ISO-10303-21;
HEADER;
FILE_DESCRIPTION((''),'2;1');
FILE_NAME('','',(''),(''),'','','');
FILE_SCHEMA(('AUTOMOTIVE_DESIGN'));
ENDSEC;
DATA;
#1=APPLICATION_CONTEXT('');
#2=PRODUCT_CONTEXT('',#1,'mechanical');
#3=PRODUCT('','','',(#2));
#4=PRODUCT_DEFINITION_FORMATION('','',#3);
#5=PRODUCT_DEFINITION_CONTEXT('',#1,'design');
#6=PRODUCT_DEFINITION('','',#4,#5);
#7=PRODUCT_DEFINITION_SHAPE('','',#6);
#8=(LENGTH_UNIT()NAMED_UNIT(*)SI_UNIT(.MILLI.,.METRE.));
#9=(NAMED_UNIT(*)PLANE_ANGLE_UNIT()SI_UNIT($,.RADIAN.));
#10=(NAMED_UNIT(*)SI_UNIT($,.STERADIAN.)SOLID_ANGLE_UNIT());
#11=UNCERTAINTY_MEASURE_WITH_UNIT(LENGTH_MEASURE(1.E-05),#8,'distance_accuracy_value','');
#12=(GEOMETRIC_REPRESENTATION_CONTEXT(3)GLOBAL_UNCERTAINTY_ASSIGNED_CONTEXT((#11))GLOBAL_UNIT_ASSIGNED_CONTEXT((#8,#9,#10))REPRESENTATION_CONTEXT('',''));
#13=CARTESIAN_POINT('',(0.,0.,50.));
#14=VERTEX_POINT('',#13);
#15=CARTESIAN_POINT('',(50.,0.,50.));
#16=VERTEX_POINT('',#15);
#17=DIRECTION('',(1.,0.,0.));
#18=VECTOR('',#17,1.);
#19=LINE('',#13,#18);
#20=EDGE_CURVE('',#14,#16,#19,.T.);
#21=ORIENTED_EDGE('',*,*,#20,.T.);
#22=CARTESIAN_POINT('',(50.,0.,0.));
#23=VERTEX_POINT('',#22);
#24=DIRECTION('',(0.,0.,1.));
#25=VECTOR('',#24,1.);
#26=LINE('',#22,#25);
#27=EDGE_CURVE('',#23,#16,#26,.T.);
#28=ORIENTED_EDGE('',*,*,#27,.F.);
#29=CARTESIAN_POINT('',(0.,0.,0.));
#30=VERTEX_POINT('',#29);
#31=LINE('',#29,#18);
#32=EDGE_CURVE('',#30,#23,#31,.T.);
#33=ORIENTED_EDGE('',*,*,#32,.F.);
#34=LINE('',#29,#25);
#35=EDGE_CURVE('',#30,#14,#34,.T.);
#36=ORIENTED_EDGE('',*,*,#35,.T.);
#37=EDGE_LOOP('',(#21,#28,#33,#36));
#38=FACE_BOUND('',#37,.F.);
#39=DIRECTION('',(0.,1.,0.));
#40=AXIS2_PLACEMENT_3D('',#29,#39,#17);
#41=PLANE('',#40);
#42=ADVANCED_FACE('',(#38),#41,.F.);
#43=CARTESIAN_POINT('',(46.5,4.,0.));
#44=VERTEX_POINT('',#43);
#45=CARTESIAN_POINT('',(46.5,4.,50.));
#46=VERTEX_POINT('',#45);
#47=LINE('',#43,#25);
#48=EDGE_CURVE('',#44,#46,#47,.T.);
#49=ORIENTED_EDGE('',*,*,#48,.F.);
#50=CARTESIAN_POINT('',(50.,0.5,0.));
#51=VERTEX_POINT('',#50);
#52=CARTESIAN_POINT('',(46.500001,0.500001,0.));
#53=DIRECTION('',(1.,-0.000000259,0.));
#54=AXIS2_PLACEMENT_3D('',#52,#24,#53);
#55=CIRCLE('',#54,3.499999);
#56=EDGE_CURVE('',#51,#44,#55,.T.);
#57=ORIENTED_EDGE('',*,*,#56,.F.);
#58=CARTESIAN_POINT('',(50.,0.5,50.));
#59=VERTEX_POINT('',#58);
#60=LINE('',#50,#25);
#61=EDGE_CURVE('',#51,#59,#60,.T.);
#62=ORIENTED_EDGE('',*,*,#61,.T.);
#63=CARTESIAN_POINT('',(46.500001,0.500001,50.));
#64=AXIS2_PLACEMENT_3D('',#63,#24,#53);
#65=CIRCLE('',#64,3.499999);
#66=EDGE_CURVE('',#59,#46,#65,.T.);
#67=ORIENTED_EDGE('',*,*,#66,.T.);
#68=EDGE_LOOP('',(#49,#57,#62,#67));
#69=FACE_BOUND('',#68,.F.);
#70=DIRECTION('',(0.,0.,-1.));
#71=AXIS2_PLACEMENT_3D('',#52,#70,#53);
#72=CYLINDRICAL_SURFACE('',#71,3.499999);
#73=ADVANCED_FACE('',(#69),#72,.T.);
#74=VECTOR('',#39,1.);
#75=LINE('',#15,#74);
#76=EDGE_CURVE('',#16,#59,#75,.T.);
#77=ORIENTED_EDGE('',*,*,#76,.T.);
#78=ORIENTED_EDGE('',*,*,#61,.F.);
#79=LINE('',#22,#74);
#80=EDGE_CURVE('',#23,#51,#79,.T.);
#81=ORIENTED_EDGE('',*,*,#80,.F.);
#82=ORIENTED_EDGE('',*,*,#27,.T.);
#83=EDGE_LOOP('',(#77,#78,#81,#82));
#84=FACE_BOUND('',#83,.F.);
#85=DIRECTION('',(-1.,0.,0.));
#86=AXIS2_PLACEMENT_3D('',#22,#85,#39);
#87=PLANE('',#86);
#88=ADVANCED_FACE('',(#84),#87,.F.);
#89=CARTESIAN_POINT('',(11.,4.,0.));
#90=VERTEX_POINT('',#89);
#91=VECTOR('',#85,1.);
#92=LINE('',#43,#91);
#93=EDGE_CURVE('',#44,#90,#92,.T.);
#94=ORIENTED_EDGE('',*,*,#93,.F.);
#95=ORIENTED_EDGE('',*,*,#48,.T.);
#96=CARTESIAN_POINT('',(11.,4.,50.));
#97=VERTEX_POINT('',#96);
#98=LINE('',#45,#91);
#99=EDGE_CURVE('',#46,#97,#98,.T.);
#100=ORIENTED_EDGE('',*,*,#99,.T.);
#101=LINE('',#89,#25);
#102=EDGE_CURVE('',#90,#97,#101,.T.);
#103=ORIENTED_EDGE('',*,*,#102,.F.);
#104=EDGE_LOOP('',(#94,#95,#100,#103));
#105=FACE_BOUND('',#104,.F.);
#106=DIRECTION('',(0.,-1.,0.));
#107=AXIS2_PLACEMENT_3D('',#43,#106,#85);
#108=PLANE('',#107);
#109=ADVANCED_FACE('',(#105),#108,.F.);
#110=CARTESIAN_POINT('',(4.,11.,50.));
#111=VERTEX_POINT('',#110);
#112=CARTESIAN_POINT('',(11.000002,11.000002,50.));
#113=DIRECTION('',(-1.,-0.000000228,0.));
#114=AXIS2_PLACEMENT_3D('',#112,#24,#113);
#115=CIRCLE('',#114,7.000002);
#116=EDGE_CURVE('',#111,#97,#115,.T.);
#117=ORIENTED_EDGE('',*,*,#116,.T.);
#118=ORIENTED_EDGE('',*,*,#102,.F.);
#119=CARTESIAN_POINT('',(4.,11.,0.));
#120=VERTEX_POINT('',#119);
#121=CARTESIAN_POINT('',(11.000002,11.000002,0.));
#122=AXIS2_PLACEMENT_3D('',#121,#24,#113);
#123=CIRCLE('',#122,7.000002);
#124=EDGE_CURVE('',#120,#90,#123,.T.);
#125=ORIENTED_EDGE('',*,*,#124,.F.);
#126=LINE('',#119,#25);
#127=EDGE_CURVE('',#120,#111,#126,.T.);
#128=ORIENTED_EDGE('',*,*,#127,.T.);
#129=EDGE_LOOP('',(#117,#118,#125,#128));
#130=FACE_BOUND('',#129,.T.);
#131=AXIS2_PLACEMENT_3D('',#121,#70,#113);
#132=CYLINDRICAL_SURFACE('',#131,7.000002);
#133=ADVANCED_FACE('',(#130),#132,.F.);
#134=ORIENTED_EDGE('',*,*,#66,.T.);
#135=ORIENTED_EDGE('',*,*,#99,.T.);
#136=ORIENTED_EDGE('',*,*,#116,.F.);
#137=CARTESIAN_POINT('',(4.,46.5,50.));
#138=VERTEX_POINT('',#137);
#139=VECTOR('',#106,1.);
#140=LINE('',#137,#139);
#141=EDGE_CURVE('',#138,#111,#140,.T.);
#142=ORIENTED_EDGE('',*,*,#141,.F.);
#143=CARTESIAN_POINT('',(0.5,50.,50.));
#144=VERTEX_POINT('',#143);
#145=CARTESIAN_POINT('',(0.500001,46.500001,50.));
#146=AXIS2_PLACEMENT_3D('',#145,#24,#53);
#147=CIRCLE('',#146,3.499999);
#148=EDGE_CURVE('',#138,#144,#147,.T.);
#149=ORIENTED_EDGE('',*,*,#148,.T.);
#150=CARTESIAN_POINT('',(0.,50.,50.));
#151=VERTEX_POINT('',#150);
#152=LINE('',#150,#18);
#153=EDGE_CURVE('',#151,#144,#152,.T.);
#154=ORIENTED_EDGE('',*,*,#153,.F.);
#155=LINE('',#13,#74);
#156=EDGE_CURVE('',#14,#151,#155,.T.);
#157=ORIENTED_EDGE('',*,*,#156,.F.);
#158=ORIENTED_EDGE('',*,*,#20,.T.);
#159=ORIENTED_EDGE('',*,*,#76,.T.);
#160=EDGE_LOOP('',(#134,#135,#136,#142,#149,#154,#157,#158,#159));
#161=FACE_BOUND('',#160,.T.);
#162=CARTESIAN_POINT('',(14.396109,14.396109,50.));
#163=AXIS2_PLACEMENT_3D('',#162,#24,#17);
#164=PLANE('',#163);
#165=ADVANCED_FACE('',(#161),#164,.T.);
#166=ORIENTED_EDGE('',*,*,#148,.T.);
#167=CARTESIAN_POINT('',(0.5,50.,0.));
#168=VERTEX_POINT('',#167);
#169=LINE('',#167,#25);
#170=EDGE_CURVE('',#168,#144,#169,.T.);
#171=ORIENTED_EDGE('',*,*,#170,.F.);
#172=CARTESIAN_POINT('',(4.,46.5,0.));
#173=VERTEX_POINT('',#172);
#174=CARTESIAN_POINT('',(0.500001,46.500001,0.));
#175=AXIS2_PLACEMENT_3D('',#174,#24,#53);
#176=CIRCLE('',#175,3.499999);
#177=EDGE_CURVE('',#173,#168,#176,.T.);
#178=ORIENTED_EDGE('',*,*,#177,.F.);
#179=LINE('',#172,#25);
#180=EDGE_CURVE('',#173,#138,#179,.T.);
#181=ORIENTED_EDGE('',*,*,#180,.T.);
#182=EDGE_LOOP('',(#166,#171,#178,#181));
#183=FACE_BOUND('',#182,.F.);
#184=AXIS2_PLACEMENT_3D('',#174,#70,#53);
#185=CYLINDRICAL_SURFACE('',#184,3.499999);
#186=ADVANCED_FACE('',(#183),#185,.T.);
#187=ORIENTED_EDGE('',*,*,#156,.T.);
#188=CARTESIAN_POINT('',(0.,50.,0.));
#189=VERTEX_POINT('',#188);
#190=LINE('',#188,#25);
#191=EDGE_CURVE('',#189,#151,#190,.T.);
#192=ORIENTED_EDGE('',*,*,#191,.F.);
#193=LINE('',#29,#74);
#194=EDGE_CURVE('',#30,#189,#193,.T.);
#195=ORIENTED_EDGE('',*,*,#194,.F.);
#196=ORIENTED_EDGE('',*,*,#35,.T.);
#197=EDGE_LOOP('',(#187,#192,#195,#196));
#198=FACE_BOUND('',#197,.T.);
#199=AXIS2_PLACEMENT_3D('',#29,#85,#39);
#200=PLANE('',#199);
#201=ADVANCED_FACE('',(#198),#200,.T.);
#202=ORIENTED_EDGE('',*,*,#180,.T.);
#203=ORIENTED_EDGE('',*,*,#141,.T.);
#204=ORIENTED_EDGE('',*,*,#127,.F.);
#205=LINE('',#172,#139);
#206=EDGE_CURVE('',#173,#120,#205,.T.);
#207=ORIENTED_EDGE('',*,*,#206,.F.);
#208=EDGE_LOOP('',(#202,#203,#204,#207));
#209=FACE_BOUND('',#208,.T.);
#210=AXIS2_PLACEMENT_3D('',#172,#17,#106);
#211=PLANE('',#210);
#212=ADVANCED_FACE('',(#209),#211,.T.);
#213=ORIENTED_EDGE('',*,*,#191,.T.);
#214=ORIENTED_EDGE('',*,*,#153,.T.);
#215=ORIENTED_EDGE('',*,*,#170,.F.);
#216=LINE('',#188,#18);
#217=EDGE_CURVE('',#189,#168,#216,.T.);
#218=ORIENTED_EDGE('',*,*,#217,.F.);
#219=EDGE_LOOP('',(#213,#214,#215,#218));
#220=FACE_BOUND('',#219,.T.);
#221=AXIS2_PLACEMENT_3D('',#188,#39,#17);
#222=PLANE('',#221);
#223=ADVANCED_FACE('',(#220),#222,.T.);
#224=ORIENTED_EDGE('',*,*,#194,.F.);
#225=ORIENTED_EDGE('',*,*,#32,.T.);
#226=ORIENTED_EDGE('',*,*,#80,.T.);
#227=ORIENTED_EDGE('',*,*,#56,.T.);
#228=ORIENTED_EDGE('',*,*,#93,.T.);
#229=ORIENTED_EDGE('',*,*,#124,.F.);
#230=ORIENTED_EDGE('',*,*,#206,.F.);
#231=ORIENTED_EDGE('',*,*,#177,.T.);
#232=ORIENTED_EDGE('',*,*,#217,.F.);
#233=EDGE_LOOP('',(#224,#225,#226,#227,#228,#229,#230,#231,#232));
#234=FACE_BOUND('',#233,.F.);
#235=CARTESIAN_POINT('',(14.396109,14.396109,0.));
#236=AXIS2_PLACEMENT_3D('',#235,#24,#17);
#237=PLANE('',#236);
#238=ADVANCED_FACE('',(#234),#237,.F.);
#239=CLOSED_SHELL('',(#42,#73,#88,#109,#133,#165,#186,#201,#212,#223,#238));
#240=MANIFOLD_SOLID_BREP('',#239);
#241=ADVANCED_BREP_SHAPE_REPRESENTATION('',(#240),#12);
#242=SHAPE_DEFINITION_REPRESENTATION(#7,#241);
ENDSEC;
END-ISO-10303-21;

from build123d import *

# Parameters (mm, degrees)
EXTRUDE_DEPTH = 50


with BuildPart() as part:
    # Sketch → Extrude (new body)
    with BuildSketch(Plane.XY):
        with BuildLine():
            Line((0, 0), (50, 0))
            Line((50, 0), (50, 0.5))
            ThreePointArc((50, 0.5), (48.974874, 2.974874), (46.5, 4))
            Line((46.5, 4), (11, 4))
            ThreePointArc((4, 11), (6.050253, 6.050253), (11, 4))
            Line((4, 46.5), (4, 11))
            ThreePointArc((4, 46.5), (2.974874, 48.974874), (0.5, 50))
            Line((0, 50), (0.5, 50))
            Line((0, 0), (0, 50))
        make_face()
    extrude(amount=EXTRUDE_DEPTH)


solid = part.part
